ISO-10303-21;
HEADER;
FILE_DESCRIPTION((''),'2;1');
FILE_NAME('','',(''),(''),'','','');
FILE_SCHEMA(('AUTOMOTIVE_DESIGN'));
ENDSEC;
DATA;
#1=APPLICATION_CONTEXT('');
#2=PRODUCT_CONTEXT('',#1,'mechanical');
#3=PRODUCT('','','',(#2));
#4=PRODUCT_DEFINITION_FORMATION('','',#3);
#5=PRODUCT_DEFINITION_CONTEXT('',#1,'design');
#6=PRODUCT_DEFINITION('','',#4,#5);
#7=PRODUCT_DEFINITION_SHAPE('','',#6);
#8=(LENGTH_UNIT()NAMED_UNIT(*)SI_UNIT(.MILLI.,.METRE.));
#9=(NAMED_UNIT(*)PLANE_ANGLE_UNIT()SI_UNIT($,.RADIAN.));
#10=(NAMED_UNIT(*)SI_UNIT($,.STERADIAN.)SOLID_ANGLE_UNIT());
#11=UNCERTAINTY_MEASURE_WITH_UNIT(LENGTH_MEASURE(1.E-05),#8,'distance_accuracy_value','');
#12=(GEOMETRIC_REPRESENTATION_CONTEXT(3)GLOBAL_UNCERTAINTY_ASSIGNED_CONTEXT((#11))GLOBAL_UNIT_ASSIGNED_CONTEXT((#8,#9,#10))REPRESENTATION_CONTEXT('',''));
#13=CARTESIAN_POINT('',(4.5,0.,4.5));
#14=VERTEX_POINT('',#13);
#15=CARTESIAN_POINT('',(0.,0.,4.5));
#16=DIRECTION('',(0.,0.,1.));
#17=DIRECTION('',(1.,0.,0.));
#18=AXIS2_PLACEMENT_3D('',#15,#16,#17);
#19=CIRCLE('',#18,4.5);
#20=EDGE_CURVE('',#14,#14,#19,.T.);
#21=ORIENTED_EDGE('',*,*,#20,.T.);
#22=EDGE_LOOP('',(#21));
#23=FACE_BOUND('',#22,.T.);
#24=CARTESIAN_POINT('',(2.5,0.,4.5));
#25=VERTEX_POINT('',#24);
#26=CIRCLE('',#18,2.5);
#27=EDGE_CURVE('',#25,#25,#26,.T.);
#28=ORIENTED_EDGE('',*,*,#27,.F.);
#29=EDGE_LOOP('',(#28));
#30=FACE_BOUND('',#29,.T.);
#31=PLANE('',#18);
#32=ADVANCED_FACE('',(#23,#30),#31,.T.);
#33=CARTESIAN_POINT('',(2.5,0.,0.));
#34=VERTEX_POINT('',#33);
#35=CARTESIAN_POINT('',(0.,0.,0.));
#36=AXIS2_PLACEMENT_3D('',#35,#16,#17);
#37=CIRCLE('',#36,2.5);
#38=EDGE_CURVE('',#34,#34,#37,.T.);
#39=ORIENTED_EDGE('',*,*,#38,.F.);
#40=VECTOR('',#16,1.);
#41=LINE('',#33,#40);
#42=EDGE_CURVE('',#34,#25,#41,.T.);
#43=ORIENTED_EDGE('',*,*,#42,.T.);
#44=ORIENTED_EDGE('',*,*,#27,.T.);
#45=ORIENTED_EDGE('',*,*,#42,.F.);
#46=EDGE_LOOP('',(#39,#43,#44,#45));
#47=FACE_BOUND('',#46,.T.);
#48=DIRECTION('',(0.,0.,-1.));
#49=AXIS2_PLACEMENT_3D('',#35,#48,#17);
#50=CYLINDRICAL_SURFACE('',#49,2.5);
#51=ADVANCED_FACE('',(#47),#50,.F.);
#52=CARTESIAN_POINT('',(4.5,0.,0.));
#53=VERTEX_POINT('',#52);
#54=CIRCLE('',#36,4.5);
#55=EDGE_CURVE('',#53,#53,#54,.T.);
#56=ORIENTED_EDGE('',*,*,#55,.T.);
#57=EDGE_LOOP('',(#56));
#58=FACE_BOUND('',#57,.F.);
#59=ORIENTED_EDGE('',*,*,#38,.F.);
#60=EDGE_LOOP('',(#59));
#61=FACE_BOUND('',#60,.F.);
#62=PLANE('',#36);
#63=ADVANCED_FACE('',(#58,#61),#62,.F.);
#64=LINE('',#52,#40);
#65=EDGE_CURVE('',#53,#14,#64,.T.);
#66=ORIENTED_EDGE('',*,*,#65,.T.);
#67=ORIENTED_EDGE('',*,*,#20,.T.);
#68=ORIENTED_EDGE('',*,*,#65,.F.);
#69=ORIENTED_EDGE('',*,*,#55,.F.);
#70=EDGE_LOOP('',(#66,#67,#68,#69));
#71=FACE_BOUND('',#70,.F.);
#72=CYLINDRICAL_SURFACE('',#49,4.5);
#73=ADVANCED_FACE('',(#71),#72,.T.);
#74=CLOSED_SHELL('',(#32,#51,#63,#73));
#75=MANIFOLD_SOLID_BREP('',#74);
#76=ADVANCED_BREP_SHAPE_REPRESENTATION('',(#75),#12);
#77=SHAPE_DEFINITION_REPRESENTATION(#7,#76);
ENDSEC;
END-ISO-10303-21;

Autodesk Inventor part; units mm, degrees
ref_plane "YZ Plane" through (0, 0, 0) normal (1, 0, 0) x (0, 1, 0)
ref_plane "XZ Plane" through (0, 0, 0) normal (0, 1, 0) x (-1, 0, 0)
ref_plane "XY Plane" through (0, 0, 0) normal (0, 0, 1) x (1, 0, 0)
sketch "Szkic1" plane through (0, 0, 0) normal (0, 0, 1) x (1, 0, 0)
  circle A0 centre (0, 0) radius 2.5
  circle A1 centre (0, 0) radius 4.5
  dimension "d0" = 5
  dimension "d1" = 9
extrude "Wyciągnięcie proste1" add sketch "Szkic1" along normal blind 4.5
properties part number "tuleja_M5_M9_4,5"
